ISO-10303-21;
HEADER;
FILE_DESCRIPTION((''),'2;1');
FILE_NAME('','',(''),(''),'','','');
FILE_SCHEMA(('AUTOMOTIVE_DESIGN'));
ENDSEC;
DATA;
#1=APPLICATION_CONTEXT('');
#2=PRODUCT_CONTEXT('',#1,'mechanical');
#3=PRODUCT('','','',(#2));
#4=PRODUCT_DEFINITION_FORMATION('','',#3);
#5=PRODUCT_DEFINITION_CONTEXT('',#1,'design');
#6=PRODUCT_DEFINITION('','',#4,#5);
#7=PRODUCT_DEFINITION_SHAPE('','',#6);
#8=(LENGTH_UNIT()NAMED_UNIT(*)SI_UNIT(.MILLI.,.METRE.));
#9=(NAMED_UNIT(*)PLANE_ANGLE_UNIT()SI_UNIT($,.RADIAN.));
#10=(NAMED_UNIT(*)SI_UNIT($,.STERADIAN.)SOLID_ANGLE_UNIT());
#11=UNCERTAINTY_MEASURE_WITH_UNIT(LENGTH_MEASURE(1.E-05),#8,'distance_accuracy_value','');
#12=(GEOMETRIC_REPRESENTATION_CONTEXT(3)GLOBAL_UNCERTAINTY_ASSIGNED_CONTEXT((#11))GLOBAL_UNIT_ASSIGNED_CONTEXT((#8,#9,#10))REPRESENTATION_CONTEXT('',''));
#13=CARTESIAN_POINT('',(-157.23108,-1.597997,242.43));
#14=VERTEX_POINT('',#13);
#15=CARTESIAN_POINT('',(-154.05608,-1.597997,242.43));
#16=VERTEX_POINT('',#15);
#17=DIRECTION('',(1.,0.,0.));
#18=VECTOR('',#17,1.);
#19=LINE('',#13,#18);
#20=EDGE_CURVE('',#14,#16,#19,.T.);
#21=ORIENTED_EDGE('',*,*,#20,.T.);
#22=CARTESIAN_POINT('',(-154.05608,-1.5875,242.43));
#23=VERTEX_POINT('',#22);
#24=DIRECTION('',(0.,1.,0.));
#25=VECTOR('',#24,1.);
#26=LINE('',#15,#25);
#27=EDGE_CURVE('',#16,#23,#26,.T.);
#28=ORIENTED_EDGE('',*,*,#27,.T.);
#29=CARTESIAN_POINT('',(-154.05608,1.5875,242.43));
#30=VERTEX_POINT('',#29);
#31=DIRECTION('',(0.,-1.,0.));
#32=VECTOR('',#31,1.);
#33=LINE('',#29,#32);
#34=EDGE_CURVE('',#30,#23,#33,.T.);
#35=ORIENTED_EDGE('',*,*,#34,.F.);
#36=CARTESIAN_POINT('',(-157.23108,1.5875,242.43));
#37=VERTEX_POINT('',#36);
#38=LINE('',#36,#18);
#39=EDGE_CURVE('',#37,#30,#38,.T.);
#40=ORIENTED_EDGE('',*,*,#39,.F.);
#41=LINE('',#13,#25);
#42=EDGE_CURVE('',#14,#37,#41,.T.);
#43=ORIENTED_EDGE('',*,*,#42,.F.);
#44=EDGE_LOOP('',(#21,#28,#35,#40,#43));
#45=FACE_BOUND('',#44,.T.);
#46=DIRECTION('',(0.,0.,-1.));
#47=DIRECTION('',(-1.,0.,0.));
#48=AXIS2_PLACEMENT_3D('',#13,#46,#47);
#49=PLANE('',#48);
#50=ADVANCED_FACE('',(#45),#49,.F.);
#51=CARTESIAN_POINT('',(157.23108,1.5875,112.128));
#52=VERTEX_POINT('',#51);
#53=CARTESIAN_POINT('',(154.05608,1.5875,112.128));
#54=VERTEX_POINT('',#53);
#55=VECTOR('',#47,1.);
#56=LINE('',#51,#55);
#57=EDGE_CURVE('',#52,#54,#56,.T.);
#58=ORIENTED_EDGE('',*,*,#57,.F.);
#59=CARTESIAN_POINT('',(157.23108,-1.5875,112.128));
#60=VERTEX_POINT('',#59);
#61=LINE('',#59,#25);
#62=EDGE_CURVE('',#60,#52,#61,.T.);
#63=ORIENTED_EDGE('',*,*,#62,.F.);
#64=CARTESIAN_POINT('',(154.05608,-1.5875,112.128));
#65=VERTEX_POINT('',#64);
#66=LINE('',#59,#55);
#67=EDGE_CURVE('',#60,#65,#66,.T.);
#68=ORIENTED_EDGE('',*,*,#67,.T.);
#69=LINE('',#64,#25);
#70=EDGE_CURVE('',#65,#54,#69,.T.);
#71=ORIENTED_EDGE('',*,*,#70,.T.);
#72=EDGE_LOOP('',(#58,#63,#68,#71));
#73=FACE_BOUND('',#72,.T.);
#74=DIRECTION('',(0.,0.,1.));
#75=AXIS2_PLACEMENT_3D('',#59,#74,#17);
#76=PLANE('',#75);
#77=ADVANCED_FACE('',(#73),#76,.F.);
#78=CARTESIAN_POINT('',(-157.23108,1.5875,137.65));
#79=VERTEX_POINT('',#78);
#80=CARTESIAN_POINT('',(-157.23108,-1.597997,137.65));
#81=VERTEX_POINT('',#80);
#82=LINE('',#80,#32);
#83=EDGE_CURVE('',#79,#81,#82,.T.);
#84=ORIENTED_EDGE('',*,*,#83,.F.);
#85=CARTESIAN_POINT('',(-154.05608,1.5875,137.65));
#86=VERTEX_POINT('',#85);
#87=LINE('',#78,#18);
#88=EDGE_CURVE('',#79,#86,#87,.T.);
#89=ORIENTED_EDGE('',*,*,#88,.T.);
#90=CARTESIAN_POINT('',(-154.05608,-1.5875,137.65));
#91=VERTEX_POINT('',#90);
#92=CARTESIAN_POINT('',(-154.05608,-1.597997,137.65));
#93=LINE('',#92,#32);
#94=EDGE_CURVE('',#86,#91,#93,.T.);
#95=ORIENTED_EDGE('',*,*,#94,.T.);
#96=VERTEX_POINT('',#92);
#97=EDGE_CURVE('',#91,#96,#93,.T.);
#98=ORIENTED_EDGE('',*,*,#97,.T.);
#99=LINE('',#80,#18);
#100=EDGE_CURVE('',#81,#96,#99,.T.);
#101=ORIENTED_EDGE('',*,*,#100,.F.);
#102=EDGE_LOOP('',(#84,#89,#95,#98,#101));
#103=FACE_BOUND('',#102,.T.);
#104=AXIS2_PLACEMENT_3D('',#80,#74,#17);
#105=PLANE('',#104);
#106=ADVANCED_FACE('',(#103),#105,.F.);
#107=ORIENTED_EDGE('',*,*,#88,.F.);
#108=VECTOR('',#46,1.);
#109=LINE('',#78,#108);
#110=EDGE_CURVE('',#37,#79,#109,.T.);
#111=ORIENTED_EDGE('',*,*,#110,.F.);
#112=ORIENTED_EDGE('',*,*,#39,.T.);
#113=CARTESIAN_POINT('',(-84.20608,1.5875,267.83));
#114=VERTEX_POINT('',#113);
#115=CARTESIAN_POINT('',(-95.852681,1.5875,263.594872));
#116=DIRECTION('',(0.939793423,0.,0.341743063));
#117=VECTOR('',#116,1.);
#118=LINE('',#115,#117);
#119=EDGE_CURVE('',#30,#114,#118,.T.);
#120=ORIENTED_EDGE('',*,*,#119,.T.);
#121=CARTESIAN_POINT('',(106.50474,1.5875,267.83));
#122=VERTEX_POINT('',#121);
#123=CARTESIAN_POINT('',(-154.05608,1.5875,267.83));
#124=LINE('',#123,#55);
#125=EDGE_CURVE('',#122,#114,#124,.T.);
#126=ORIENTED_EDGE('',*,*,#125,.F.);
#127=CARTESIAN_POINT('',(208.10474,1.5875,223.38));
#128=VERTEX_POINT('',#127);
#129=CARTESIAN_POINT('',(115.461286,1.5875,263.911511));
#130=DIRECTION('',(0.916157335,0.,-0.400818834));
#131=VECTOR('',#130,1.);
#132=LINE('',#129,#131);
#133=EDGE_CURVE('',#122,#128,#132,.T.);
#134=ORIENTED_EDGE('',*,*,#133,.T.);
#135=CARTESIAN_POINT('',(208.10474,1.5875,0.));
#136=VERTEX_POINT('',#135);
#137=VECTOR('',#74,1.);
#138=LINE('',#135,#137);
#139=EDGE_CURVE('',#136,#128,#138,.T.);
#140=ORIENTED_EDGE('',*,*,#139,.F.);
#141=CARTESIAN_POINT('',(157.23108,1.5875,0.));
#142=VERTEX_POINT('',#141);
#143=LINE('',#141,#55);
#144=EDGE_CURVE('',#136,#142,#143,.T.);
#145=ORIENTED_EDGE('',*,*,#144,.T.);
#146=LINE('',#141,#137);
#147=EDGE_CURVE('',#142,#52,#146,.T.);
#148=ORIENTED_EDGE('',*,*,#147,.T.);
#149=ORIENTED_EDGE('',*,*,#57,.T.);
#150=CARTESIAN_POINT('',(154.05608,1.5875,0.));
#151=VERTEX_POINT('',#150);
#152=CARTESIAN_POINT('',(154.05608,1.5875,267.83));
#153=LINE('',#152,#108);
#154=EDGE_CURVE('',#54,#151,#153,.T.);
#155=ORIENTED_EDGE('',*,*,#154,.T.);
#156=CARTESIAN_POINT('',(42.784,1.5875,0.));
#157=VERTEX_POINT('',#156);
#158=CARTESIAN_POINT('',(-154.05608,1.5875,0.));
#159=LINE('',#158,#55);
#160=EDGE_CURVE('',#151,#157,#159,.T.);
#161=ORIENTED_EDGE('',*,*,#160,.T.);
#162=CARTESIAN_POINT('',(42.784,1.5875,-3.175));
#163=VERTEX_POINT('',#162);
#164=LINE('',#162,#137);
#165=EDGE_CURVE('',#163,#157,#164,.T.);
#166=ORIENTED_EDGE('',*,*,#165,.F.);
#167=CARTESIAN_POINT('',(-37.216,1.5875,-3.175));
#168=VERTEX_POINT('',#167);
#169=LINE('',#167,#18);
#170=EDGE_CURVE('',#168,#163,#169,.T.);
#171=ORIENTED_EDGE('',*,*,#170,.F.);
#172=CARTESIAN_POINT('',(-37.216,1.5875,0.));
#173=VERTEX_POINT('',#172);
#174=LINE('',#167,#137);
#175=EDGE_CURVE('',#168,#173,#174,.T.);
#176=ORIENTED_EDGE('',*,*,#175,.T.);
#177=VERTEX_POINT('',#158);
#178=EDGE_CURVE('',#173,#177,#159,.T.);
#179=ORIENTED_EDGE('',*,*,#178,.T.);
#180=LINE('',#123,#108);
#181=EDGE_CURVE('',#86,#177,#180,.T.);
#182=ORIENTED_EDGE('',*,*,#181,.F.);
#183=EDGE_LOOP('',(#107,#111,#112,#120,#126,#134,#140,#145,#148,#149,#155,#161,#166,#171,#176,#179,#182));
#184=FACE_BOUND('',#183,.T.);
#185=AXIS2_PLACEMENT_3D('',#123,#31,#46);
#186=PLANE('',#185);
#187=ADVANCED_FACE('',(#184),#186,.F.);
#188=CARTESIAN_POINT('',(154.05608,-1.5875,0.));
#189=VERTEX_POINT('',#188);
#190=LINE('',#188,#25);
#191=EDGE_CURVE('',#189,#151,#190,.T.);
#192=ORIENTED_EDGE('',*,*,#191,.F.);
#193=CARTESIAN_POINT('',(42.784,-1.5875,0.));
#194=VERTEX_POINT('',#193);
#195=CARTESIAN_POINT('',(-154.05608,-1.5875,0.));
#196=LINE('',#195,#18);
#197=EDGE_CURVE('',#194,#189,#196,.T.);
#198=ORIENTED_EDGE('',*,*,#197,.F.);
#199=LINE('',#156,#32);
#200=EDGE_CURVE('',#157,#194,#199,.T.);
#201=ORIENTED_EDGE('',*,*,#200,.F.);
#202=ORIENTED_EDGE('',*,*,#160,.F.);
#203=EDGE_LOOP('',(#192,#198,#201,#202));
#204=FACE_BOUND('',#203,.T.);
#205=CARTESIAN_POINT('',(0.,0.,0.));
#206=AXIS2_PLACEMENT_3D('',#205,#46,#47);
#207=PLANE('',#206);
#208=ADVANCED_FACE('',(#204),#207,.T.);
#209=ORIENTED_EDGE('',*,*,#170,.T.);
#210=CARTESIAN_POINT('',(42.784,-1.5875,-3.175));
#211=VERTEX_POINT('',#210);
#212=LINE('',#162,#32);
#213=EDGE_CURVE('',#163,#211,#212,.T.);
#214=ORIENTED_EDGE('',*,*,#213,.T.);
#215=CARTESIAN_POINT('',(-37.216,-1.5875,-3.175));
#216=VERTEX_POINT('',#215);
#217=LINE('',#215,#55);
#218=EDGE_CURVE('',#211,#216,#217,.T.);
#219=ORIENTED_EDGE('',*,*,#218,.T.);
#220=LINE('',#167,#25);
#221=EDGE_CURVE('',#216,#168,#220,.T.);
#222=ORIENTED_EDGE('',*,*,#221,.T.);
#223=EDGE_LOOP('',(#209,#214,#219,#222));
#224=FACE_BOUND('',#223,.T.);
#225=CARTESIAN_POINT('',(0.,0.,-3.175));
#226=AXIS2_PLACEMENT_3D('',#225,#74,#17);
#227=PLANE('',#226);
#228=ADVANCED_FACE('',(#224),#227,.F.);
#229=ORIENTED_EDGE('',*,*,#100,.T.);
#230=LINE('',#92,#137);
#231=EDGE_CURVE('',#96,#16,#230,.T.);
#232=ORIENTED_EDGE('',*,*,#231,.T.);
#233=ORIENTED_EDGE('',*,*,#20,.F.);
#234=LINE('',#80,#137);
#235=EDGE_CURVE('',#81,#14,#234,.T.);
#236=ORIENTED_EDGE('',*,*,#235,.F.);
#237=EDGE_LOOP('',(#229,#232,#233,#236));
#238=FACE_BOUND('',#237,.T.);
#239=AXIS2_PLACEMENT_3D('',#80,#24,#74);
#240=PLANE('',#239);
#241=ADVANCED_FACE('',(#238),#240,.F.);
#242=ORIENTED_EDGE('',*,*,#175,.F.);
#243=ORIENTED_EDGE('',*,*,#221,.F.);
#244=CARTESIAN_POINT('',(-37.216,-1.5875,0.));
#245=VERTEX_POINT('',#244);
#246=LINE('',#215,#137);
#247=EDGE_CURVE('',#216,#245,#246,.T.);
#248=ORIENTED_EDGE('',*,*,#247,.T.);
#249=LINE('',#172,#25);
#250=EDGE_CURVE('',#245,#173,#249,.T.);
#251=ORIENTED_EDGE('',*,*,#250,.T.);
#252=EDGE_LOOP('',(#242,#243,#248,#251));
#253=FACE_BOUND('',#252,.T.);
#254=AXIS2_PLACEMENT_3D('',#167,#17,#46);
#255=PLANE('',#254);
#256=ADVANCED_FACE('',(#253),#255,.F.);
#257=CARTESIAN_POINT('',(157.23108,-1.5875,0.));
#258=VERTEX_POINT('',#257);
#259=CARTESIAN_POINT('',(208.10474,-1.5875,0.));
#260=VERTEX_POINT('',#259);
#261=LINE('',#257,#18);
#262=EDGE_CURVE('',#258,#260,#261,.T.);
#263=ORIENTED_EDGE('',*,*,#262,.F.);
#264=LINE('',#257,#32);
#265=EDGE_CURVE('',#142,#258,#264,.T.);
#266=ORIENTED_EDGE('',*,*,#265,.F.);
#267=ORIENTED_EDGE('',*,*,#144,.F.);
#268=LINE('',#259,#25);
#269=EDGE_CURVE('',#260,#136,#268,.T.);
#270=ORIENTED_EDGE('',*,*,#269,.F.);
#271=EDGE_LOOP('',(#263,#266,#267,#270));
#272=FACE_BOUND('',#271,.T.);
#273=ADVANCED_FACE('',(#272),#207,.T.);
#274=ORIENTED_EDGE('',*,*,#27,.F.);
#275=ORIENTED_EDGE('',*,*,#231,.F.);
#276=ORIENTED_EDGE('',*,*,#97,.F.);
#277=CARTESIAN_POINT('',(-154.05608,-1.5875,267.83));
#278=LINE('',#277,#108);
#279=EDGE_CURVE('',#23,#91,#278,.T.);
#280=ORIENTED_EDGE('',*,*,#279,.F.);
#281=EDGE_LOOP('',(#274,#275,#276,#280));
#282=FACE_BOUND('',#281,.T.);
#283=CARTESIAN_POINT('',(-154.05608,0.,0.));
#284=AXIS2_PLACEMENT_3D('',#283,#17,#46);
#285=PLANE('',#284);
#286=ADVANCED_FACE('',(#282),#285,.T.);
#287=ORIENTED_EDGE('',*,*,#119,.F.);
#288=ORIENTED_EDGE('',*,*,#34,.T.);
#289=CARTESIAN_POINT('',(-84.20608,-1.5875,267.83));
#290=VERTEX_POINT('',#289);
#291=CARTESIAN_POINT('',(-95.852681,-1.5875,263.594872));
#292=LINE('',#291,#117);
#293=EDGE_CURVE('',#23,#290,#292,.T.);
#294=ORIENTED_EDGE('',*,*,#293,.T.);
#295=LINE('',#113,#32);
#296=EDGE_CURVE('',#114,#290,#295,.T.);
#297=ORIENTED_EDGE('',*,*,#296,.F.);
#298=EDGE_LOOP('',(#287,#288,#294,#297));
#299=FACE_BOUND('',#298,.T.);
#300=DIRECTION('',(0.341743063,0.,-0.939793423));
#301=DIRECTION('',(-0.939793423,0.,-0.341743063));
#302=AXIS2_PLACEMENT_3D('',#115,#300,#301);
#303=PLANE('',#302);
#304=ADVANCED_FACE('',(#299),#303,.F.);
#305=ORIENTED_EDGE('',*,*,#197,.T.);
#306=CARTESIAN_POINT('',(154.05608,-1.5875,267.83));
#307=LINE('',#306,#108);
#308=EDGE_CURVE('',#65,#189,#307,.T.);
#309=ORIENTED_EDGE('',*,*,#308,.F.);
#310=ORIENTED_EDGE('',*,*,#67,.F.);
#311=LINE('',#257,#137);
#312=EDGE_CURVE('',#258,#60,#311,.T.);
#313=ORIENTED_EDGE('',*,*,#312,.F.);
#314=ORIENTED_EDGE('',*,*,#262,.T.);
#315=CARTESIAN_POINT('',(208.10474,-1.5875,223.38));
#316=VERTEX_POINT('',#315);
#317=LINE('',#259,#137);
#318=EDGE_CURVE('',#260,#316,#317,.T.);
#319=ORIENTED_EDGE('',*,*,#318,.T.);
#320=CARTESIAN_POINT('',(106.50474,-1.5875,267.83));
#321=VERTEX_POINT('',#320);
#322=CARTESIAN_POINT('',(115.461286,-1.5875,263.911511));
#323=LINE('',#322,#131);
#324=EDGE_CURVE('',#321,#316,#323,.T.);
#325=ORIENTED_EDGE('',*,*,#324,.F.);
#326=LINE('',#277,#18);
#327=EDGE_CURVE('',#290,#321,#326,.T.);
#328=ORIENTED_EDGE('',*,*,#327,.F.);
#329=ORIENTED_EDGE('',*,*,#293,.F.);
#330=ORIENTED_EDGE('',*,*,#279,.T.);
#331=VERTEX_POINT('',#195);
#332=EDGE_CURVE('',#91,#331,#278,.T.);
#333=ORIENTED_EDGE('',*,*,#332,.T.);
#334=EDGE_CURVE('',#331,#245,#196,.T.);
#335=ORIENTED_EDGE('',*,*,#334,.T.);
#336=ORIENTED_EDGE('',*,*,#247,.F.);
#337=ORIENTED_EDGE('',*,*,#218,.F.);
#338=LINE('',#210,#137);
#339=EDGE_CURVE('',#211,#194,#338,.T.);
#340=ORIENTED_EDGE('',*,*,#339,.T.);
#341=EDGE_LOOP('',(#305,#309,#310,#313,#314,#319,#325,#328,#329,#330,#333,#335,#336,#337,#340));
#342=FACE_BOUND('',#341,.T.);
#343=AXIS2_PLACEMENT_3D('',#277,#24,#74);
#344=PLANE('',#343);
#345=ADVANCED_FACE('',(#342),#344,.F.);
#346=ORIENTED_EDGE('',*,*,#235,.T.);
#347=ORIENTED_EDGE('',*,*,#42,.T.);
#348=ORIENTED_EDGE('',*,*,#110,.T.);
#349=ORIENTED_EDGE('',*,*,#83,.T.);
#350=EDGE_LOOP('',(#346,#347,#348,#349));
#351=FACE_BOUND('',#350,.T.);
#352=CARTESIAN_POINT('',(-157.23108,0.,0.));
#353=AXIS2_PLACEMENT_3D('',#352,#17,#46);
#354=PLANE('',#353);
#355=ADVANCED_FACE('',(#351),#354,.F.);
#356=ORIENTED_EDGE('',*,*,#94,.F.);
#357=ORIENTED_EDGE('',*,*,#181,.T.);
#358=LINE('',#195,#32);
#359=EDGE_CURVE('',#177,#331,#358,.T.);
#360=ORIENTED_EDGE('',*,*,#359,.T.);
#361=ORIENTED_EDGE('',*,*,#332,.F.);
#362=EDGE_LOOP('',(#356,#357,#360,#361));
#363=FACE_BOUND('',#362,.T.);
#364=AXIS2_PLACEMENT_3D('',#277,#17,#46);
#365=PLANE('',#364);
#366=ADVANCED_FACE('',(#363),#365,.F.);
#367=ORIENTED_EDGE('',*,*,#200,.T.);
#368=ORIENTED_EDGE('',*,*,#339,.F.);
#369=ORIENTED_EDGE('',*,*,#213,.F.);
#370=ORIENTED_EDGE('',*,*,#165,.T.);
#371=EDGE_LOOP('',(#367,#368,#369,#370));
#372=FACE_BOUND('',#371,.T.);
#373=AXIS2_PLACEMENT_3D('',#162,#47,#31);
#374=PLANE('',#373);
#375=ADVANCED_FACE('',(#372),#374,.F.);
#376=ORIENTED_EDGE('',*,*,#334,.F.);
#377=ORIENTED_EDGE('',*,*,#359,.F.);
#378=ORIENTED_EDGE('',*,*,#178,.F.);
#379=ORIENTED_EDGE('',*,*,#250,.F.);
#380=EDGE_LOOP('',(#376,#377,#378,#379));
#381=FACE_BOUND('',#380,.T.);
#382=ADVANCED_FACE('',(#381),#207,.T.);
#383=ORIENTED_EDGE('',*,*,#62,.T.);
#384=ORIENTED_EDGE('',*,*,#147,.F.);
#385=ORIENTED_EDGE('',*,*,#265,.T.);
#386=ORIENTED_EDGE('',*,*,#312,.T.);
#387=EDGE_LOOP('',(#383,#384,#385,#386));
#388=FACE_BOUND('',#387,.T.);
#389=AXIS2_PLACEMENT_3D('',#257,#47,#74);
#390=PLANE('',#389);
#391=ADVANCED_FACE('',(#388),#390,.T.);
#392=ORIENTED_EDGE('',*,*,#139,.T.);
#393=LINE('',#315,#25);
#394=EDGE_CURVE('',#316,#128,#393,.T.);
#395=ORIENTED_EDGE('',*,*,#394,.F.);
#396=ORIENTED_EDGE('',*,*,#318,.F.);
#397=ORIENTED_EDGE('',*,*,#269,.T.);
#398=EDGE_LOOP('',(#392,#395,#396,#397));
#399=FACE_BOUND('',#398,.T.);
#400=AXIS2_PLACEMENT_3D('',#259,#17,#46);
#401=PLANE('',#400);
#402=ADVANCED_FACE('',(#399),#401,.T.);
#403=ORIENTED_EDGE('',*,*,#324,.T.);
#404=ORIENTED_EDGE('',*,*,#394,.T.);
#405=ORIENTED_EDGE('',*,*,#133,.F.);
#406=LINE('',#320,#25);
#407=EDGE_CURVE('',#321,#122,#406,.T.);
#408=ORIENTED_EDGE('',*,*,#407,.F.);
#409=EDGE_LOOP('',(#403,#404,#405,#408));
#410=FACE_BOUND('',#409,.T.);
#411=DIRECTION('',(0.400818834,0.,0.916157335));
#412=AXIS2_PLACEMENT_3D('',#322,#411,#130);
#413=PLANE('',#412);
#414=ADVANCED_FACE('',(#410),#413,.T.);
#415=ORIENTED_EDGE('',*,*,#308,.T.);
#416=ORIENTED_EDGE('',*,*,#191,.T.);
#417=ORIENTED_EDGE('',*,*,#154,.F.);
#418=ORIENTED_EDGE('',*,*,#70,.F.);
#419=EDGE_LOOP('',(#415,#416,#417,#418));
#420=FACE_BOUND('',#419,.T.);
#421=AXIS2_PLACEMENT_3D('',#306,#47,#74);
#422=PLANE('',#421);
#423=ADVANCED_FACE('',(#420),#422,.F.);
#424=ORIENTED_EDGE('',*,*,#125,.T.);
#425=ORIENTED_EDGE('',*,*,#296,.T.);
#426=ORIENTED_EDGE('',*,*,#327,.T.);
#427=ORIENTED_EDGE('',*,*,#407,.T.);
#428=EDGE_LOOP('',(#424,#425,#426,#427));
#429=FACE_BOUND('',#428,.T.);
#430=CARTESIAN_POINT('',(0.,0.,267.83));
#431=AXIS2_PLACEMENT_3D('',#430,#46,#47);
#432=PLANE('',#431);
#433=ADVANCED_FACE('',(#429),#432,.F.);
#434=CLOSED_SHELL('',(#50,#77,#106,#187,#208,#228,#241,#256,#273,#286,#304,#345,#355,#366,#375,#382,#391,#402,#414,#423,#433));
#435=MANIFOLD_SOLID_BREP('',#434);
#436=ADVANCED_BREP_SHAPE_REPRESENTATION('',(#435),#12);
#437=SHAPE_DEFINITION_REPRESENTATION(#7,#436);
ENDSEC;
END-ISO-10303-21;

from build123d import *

# Parameters (mm, degrees)
SKETCH1_W           = 308.11216
SKETCH1_H           = 3.175
BOSS_EXTRUDE1_DEPTH = 267.83
SKETCH3_W           = 155.702
SKETCH3_H           = 3.175
BOSS_EXTRUDE3_DEPTH = 3.175
SKETCH4_W           = 50.87366
SKETCH4_H           = 3.175
BOSS_EXTRUDE4_DEPTH = 267.83
CUT_EXTRUDE1_DEPTH  = 340.191055801
SKETCH8_W           = 80
SKETCH8_H           = 3.175
BOSS_EXTRUDE6_DEPTH = 3.175
CUT_EXTRUDE3_DEPTH  = 340.191055801
SKETCH13_W          = 104.779999964
SKETCH13_H          = 3.1854967
BOSS_EXTRUDE7_DEPTH = 3.175


with BuildPart() as part:
    # Sketch1 → Boss-Extrude1 (new body)
    with BuildSketch(Plane.XY):
        Rectangle(SKETCH1_W, SKETCH1_H)
    extrude(amount=BOSS_EXTRUDE1_DEPTH)

    # Sketch3 → Boss-Extrude3 (add)
    with BuildSketch(Plane(origin=(154.05608, 0, 0), x_dir=(0, 0, -1), z_dir=(1, 0, 0))):
        with Locations((-189.979, 0)):
            Rectangle(SKETCH3_W, SKETCH3_H)
    extrude(amount=BOSS_EXTRUDE3_DEPTH)

    # Sketch4 → Boss-Extrude4 (add)
    with BuildSketch(Plane.XY.offset(267.83)):
        with Locations((182.66791, 0)):
            Rectangle(SKETCH4_W, SKETCH4_H)
    extrude(amount=-BOSS_EXTRUDE4_DEPTH)

    # Sketch6 → Cut-Extrude1 (cut, through all)
    with BuildSketch(Plane(origin=(0, 1.5875, 0), x_dir=(1, 0, 0), z_dir=(0, 1, 0))):
        Polygon((208.10474, -223.38), (106.50474, -267.83), (208.10474, -267.83), align=None)
    extrude(amount=-CUT_EXTRUDE1_DEPTH, mode=Mode.SUBTRACT)

    # Sketch8 → Boss-Extrude6 (add)
    with BuildSketch(Plane(origin=(0, 0, 0), x_dir=(-1, 0, 0), z_dir=(0, 0, -1))):
        with Locations((-2.78399998, 0)):
            Rectangle(SKETCH8_W, SKETCH8_H)
    extrude(amount=BOSS_EXTRUDE6_DEPTH)

    # Sketch11 → Cut-Extrude3 (cut, through all)
    with BuildSketch(Plane.XZ.offset(1.5875)):
        Polygon((-154.05608, 242.43), (-84.20608, 267.83), (-154.05608, 267.83), align=None)
    extrude(amount=-CUT_EXTRUDE3_DEPTH, mode=Mode.SUBTRACT)

    # Sketch13 → Boss-Extrude7 (add)
    with BuildSketch(Plane.ZY.offset(154.05608)):
        with Locations((190.040000018, -0.00524835)):
            Rectangle(SKETCH13_W, SKETCH13_H)
    extrude(amount=BOSS_EXTRUDE7_DEPTH)


solid = part.part
